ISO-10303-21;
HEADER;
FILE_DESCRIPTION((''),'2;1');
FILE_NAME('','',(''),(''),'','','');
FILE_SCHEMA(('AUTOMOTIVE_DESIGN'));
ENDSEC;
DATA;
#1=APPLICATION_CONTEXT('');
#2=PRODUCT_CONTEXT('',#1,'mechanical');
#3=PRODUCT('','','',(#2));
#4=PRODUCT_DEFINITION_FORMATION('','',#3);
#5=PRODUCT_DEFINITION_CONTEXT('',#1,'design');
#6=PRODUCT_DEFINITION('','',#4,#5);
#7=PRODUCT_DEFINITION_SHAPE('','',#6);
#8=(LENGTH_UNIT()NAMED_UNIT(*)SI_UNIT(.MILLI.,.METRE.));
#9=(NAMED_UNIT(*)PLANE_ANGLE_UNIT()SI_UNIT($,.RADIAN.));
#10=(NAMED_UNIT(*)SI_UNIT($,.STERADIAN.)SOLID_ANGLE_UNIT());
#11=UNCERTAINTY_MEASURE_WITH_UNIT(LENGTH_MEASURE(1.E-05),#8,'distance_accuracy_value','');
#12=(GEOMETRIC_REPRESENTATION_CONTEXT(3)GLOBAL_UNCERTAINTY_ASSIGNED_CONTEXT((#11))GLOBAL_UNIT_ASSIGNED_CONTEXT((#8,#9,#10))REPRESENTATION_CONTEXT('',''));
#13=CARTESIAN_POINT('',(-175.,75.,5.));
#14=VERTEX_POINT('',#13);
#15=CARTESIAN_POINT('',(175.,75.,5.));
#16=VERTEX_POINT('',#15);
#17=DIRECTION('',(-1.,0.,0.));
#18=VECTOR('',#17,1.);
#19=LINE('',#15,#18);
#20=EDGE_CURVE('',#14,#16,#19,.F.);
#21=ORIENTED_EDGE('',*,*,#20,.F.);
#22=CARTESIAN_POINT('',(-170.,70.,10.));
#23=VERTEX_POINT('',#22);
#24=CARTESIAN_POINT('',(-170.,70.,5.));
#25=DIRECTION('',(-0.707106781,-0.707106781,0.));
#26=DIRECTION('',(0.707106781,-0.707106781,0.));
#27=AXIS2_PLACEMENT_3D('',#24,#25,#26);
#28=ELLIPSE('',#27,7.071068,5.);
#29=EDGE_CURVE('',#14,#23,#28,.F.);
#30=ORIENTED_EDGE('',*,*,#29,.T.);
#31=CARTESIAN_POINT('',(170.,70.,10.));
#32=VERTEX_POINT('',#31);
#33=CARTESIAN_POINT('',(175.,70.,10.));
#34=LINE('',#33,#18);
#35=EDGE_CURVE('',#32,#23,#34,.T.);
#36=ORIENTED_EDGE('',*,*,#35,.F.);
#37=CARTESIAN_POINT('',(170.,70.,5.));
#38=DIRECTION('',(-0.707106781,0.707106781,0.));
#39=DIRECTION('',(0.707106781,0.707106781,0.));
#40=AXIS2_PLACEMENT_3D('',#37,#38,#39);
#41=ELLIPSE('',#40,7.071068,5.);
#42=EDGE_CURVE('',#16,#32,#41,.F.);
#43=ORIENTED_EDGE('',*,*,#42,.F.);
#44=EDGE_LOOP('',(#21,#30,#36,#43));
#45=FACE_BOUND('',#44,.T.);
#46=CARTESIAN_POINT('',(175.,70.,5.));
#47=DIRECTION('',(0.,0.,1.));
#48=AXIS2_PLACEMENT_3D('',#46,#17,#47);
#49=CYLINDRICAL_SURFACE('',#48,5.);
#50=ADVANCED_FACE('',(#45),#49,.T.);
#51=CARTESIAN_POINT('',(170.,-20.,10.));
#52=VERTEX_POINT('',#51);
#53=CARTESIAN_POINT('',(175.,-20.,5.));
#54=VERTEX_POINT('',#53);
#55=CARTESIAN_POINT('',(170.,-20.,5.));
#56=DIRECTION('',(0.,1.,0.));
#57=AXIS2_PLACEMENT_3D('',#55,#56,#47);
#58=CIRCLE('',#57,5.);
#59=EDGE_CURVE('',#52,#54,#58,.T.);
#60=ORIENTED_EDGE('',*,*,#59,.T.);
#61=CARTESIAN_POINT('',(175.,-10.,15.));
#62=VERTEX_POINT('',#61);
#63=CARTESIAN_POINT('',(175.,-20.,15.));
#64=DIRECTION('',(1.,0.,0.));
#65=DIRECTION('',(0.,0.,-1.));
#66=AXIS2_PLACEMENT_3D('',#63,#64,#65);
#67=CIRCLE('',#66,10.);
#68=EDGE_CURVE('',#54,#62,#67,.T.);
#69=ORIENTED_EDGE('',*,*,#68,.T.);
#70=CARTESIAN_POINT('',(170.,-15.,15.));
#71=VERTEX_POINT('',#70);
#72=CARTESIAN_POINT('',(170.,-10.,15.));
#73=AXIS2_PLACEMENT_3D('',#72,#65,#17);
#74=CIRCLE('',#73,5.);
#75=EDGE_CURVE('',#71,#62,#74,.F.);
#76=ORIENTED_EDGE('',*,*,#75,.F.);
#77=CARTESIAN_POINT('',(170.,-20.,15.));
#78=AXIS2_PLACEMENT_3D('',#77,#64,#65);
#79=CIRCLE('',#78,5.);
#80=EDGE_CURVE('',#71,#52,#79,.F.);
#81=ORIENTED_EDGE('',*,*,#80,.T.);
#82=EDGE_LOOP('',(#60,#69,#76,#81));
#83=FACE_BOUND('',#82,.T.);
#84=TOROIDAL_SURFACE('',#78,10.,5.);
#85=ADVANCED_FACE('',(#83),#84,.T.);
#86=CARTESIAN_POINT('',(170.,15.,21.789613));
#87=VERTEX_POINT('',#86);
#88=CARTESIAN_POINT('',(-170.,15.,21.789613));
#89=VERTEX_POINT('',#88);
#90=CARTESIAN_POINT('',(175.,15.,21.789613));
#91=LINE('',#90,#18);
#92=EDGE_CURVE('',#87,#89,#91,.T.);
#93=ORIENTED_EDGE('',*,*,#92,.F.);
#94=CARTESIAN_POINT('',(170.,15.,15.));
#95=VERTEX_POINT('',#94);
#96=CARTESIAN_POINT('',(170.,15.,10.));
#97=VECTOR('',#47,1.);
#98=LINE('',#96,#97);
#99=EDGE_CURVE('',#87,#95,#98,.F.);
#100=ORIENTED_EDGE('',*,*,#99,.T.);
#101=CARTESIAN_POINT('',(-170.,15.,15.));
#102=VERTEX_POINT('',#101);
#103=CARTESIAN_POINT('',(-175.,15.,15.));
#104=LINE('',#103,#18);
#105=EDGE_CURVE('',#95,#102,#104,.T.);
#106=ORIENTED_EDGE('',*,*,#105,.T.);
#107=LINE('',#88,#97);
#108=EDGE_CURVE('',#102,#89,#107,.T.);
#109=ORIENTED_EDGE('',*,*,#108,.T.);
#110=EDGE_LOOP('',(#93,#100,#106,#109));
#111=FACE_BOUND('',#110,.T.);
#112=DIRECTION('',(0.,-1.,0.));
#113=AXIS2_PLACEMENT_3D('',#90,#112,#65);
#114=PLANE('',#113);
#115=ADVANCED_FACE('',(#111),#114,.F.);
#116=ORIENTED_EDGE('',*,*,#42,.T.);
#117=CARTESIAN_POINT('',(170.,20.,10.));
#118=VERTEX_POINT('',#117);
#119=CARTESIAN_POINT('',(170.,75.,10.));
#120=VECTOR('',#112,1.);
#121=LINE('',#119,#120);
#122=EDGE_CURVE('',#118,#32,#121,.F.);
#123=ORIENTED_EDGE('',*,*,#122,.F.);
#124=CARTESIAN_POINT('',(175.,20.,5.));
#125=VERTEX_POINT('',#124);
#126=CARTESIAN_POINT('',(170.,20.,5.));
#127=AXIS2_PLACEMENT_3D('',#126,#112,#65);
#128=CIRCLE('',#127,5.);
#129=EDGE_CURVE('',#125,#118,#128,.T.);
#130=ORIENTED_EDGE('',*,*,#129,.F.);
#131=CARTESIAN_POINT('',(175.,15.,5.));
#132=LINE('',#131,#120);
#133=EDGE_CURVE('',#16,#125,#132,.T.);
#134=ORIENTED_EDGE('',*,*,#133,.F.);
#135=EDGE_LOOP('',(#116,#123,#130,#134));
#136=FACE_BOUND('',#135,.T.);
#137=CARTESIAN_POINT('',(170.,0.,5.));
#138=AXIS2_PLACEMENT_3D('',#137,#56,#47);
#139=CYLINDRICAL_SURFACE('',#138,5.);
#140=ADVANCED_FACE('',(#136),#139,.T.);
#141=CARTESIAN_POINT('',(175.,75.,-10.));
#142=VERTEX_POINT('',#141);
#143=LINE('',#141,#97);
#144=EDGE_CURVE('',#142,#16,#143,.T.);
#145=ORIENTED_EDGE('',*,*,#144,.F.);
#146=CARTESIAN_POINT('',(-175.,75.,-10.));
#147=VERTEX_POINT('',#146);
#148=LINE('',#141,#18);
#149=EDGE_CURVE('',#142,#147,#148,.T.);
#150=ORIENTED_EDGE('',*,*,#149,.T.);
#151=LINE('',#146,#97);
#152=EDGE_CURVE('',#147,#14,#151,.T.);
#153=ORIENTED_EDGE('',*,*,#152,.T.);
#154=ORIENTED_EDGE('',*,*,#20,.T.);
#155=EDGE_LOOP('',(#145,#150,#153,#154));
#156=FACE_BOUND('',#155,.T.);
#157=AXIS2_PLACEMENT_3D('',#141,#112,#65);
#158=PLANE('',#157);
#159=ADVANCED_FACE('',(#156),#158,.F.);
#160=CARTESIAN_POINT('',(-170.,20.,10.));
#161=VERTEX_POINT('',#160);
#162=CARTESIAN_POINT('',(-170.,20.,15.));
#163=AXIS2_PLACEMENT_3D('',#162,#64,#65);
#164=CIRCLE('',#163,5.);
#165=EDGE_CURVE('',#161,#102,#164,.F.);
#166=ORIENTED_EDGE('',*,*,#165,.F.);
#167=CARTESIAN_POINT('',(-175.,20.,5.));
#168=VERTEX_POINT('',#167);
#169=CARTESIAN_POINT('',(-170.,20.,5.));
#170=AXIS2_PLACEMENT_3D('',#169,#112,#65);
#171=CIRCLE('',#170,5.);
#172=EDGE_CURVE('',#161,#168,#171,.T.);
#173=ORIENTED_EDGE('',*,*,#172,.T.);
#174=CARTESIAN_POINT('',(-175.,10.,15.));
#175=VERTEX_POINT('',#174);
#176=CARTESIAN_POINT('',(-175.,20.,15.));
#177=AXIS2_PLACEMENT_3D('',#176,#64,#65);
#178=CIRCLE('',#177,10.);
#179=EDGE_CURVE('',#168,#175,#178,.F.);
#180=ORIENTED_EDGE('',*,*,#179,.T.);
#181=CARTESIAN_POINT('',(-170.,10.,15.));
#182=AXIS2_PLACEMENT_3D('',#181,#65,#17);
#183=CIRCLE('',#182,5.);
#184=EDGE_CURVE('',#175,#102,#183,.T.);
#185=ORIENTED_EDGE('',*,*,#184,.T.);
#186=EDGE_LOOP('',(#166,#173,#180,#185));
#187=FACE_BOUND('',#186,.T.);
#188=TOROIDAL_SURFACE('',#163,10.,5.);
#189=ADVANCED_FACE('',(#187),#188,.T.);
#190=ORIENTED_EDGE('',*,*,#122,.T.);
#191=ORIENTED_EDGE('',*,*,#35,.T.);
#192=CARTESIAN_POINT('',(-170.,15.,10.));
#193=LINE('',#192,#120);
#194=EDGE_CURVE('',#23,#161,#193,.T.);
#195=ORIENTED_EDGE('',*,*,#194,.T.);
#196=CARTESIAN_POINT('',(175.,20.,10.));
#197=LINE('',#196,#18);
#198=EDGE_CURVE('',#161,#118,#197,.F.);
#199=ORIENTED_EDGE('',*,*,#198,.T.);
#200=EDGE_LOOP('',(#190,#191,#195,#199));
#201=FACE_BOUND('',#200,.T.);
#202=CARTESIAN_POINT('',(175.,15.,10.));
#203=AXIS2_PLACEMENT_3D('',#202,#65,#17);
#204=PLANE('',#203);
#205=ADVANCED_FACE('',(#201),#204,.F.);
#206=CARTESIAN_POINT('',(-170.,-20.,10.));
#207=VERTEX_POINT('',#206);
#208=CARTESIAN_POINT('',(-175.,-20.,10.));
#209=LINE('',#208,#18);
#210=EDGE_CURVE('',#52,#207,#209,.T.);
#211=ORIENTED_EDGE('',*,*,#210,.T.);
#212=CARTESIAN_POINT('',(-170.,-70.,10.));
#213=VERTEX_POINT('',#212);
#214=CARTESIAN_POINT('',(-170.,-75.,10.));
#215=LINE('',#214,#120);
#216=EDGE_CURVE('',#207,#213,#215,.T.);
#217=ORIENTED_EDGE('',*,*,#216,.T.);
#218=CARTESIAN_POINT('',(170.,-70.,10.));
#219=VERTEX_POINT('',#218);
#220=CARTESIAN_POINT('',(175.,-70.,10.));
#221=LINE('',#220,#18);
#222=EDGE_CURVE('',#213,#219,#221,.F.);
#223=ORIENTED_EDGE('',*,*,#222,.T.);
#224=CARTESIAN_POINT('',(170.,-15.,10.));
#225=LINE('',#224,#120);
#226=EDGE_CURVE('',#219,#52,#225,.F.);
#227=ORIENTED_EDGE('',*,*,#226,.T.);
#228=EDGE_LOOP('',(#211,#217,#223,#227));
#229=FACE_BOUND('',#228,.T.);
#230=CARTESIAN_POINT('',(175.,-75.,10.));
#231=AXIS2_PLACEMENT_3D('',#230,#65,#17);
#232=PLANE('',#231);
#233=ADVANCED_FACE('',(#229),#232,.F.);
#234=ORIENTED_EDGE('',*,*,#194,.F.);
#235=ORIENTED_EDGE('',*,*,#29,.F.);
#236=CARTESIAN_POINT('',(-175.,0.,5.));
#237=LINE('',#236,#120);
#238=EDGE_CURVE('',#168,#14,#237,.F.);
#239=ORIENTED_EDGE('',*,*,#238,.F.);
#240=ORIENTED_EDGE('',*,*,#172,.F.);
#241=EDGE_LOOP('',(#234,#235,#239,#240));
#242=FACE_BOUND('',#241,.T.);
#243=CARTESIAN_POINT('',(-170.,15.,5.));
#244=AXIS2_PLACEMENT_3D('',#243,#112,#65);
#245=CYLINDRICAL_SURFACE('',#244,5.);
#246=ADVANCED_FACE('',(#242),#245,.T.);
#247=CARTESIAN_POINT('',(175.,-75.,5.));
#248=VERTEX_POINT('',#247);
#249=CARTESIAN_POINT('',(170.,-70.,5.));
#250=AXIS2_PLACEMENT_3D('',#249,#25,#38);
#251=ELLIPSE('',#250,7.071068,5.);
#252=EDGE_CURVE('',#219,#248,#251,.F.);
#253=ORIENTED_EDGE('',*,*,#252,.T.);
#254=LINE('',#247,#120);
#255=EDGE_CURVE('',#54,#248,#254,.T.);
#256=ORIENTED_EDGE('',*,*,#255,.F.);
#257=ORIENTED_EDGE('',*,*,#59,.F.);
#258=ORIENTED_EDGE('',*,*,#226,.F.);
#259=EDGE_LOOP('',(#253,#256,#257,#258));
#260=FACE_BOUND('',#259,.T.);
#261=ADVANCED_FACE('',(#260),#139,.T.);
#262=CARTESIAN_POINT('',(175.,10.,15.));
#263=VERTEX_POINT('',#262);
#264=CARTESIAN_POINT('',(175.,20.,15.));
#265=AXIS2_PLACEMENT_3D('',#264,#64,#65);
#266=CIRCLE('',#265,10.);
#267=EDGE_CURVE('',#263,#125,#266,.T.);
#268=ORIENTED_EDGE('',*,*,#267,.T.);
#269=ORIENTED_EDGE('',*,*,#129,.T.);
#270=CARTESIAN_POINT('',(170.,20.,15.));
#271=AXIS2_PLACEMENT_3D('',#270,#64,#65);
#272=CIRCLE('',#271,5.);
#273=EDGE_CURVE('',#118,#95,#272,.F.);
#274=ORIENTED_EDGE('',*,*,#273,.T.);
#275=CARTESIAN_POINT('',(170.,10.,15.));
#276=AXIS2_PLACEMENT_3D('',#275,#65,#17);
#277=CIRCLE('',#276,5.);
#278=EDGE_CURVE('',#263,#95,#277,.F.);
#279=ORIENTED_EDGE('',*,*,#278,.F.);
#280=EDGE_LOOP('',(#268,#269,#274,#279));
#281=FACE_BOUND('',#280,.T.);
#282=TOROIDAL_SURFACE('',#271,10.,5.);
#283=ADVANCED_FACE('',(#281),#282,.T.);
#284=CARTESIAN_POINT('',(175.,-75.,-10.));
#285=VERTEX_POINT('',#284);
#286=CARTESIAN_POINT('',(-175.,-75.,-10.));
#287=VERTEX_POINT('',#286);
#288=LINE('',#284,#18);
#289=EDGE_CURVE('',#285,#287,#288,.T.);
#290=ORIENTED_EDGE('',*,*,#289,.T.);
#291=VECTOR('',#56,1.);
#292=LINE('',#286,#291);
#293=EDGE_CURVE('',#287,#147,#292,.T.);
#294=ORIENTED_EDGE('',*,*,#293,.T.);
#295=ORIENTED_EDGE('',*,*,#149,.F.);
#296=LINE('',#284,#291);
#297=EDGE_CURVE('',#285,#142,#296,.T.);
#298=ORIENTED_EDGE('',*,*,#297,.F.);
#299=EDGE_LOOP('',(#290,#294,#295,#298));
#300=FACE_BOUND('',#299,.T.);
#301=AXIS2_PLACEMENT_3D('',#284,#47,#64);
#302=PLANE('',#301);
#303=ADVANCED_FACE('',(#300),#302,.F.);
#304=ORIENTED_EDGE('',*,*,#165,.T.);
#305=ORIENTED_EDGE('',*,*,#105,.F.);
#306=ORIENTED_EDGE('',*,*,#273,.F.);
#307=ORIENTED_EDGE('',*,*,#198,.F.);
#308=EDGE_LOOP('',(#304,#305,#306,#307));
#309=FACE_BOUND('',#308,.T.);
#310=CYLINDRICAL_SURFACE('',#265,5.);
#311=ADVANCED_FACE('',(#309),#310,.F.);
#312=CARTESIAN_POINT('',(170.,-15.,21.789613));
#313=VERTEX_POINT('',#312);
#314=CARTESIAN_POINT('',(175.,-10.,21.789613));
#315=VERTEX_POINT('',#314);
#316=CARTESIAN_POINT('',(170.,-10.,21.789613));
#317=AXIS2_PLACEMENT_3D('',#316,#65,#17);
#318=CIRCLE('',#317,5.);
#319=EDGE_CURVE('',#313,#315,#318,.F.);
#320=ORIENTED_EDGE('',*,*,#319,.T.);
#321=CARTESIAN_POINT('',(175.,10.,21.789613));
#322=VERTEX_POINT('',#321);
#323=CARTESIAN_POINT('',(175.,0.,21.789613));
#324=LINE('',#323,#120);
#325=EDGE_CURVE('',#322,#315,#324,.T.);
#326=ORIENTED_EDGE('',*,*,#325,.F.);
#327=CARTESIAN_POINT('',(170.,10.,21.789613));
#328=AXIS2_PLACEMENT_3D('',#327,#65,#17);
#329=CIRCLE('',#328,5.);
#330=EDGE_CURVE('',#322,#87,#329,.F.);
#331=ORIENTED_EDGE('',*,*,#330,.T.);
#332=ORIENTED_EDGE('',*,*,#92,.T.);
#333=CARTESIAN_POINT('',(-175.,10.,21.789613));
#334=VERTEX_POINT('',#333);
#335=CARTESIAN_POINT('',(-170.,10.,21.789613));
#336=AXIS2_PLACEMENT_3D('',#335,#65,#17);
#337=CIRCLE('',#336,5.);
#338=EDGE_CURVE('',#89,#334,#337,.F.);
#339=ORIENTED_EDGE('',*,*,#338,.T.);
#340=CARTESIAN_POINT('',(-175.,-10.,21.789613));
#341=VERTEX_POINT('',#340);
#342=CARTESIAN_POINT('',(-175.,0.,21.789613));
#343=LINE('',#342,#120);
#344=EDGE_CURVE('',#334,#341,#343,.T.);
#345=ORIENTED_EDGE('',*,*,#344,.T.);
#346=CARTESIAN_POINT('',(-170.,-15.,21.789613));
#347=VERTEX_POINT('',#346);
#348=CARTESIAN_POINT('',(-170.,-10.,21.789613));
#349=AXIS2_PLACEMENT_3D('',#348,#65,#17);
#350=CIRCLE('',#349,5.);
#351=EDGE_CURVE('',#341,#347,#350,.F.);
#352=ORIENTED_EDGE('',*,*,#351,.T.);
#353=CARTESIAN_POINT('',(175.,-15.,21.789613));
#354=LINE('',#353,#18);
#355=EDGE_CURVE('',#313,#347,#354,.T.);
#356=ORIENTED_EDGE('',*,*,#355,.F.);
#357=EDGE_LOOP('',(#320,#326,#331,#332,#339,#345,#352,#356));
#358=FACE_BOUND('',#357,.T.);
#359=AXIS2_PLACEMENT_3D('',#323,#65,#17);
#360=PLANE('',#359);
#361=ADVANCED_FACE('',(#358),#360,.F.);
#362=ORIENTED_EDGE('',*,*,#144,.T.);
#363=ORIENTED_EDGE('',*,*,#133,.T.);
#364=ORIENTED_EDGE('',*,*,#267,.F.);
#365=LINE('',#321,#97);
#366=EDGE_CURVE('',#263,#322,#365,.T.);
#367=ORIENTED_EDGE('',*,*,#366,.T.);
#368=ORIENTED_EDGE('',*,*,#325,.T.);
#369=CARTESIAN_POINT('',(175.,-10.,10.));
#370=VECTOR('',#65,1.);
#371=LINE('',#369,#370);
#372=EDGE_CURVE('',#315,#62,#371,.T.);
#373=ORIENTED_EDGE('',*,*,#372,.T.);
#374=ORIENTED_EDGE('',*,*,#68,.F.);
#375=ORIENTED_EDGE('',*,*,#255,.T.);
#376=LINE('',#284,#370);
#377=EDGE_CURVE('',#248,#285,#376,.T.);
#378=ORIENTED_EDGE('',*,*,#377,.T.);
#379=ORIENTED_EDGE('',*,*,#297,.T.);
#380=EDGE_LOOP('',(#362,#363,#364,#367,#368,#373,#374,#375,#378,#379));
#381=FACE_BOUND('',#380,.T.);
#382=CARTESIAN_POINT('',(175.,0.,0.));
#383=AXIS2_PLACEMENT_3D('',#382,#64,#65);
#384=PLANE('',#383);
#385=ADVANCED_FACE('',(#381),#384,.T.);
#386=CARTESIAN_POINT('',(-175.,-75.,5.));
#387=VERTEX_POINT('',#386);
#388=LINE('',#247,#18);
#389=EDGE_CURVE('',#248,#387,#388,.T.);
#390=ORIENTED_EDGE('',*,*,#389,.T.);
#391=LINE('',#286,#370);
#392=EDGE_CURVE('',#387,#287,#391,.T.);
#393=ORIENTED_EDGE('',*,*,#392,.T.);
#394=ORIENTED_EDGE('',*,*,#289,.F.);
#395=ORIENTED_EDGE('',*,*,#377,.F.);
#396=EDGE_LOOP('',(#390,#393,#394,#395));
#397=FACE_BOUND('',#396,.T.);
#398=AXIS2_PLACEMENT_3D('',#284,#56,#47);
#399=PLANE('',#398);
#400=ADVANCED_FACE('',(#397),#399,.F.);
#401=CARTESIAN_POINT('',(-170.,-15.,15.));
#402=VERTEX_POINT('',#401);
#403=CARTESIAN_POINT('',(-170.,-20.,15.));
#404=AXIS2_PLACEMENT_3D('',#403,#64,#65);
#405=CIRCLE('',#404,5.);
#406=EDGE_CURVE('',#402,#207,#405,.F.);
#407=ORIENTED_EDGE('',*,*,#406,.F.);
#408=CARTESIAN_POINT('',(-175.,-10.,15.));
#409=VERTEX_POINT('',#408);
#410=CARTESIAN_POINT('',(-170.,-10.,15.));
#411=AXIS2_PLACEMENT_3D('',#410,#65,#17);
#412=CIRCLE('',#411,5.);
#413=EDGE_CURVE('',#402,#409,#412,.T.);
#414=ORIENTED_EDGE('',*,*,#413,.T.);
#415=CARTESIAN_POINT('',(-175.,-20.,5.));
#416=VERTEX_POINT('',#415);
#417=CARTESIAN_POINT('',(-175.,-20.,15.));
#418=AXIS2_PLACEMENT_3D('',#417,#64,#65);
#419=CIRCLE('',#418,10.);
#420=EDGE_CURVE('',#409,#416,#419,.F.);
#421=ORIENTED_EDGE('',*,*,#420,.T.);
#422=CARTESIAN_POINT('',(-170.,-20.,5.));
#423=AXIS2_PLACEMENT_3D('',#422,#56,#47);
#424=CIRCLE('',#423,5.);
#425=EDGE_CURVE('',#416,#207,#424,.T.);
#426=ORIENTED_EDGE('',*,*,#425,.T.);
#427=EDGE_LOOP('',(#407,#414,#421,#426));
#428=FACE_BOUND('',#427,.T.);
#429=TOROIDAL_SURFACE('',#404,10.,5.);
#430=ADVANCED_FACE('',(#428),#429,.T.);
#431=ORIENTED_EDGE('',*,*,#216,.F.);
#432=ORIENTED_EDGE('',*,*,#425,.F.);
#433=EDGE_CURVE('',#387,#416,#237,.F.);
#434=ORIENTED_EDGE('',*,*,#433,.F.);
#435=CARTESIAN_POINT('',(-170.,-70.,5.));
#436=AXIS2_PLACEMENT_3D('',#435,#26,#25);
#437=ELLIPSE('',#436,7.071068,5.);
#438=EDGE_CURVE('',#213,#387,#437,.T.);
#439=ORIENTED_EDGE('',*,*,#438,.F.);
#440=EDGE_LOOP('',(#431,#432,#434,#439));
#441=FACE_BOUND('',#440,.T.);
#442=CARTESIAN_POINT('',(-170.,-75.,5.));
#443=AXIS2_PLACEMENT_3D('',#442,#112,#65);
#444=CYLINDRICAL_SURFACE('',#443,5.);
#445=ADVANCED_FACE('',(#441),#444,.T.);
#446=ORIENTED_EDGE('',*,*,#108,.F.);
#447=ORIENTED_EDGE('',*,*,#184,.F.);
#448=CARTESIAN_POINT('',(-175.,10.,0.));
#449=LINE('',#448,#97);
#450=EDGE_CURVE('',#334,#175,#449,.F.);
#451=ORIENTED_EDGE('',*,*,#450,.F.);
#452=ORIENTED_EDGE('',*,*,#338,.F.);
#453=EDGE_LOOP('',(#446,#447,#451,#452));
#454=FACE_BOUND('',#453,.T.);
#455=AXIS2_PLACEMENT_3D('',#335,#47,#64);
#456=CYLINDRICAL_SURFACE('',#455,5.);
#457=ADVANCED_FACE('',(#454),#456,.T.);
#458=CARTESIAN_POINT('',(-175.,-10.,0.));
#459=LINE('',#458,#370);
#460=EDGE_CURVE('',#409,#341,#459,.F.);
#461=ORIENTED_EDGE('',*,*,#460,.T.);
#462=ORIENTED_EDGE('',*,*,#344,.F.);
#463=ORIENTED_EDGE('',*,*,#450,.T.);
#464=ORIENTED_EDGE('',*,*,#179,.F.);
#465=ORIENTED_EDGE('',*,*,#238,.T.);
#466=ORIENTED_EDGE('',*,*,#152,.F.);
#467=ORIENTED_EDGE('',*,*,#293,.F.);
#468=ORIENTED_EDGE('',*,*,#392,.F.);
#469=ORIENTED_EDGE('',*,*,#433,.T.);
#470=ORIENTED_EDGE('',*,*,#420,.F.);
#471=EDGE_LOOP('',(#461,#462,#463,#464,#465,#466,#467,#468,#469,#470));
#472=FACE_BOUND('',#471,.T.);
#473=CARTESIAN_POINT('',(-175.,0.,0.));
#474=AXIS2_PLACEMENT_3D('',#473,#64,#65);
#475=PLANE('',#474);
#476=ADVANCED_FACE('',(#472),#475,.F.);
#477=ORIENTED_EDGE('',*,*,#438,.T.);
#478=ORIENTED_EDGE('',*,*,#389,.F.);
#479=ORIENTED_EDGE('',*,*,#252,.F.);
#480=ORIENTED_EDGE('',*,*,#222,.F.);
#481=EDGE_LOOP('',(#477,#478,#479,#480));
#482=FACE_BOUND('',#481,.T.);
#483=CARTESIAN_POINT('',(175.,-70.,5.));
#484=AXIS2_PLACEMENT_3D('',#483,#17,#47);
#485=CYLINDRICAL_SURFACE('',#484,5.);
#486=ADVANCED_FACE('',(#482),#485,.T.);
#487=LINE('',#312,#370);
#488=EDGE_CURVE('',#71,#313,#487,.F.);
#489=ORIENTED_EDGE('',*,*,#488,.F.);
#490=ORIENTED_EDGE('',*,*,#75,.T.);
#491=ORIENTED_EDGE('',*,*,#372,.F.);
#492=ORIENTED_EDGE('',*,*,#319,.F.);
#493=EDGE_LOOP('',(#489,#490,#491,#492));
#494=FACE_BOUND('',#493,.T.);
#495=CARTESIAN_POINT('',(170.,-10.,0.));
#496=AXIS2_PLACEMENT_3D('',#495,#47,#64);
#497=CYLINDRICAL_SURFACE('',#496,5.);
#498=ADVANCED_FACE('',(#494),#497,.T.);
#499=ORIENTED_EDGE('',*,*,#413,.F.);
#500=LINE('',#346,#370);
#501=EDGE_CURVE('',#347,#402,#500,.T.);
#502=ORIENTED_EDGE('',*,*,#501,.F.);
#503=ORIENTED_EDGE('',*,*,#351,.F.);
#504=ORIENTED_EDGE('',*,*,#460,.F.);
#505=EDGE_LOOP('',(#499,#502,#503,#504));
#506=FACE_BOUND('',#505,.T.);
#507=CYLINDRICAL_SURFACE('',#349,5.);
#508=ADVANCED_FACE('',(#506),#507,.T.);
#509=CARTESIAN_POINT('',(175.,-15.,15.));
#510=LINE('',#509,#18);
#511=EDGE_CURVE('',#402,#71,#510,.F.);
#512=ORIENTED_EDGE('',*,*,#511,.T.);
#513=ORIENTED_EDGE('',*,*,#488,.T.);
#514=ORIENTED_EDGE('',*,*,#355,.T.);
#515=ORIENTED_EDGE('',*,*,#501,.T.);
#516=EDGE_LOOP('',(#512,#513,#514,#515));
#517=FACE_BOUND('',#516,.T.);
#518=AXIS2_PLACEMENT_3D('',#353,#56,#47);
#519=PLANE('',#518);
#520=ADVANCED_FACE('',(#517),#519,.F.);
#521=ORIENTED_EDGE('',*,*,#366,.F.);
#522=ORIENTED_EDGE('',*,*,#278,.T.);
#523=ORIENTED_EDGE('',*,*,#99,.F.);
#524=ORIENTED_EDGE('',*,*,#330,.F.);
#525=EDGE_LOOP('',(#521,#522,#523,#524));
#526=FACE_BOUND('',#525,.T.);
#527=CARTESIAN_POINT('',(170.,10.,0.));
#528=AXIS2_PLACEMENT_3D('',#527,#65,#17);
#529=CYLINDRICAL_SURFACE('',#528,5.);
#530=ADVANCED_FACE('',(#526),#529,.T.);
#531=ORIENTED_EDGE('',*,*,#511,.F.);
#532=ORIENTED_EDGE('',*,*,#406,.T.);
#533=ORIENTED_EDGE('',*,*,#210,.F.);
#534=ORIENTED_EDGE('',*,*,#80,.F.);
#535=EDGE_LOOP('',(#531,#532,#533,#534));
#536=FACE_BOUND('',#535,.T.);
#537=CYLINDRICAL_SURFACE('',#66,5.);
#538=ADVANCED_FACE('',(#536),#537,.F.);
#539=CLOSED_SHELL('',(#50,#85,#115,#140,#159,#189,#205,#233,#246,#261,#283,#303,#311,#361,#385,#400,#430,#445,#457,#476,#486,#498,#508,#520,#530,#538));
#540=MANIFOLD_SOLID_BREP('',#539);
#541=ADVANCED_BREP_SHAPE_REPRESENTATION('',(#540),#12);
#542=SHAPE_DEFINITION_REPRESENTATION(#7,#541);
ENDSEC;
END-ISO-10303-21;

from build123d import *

# Parameters (mm, degrees)
SALIENTE_EXTRUIR1_DEPTH = 175
REDONDEO1_R             = 5


with BuildPart() as part:
    # Croquis1 → Saliente-Extruir1 (new, symmetric)
    with BuildSketch(Plane(origin=(0, 0, 0), x_dir=(0, 0, -1), z_dir=(1, 0, 0))):
        Polygon((-21.789612973, 0), (-21.789612973, 15), (-10, 15), (-10, 75), (10, 75), (10, -75), (-10, -75), (-10, -15), (-21.789612973, -15), align=None)
    extrude(amount=SALIENTE_EXTRUIR1_DEPTH, both=True)

    # Redondeo1
    redondeo1_edges = [part.edges().sort_by_distance(p)[0] for p in [
        (-175, -45, 10),
        (-175, -15, 15.894806486),
        (-175, 15, 15.894806486),
        (-175, 45, 10),
        (0, 75, 10),
        (0, -75, 10),
        (0, -15, 10),
        (0, 15, 10),
        (175, -15, 15.894806486),
        (175, -45, 10),
        (175, 45, 10),
        (175, 15, 15.894806486),
    ]]
    fillet(redondeo1_edges, radius=REDONDEO1_R)


solid = part.part
